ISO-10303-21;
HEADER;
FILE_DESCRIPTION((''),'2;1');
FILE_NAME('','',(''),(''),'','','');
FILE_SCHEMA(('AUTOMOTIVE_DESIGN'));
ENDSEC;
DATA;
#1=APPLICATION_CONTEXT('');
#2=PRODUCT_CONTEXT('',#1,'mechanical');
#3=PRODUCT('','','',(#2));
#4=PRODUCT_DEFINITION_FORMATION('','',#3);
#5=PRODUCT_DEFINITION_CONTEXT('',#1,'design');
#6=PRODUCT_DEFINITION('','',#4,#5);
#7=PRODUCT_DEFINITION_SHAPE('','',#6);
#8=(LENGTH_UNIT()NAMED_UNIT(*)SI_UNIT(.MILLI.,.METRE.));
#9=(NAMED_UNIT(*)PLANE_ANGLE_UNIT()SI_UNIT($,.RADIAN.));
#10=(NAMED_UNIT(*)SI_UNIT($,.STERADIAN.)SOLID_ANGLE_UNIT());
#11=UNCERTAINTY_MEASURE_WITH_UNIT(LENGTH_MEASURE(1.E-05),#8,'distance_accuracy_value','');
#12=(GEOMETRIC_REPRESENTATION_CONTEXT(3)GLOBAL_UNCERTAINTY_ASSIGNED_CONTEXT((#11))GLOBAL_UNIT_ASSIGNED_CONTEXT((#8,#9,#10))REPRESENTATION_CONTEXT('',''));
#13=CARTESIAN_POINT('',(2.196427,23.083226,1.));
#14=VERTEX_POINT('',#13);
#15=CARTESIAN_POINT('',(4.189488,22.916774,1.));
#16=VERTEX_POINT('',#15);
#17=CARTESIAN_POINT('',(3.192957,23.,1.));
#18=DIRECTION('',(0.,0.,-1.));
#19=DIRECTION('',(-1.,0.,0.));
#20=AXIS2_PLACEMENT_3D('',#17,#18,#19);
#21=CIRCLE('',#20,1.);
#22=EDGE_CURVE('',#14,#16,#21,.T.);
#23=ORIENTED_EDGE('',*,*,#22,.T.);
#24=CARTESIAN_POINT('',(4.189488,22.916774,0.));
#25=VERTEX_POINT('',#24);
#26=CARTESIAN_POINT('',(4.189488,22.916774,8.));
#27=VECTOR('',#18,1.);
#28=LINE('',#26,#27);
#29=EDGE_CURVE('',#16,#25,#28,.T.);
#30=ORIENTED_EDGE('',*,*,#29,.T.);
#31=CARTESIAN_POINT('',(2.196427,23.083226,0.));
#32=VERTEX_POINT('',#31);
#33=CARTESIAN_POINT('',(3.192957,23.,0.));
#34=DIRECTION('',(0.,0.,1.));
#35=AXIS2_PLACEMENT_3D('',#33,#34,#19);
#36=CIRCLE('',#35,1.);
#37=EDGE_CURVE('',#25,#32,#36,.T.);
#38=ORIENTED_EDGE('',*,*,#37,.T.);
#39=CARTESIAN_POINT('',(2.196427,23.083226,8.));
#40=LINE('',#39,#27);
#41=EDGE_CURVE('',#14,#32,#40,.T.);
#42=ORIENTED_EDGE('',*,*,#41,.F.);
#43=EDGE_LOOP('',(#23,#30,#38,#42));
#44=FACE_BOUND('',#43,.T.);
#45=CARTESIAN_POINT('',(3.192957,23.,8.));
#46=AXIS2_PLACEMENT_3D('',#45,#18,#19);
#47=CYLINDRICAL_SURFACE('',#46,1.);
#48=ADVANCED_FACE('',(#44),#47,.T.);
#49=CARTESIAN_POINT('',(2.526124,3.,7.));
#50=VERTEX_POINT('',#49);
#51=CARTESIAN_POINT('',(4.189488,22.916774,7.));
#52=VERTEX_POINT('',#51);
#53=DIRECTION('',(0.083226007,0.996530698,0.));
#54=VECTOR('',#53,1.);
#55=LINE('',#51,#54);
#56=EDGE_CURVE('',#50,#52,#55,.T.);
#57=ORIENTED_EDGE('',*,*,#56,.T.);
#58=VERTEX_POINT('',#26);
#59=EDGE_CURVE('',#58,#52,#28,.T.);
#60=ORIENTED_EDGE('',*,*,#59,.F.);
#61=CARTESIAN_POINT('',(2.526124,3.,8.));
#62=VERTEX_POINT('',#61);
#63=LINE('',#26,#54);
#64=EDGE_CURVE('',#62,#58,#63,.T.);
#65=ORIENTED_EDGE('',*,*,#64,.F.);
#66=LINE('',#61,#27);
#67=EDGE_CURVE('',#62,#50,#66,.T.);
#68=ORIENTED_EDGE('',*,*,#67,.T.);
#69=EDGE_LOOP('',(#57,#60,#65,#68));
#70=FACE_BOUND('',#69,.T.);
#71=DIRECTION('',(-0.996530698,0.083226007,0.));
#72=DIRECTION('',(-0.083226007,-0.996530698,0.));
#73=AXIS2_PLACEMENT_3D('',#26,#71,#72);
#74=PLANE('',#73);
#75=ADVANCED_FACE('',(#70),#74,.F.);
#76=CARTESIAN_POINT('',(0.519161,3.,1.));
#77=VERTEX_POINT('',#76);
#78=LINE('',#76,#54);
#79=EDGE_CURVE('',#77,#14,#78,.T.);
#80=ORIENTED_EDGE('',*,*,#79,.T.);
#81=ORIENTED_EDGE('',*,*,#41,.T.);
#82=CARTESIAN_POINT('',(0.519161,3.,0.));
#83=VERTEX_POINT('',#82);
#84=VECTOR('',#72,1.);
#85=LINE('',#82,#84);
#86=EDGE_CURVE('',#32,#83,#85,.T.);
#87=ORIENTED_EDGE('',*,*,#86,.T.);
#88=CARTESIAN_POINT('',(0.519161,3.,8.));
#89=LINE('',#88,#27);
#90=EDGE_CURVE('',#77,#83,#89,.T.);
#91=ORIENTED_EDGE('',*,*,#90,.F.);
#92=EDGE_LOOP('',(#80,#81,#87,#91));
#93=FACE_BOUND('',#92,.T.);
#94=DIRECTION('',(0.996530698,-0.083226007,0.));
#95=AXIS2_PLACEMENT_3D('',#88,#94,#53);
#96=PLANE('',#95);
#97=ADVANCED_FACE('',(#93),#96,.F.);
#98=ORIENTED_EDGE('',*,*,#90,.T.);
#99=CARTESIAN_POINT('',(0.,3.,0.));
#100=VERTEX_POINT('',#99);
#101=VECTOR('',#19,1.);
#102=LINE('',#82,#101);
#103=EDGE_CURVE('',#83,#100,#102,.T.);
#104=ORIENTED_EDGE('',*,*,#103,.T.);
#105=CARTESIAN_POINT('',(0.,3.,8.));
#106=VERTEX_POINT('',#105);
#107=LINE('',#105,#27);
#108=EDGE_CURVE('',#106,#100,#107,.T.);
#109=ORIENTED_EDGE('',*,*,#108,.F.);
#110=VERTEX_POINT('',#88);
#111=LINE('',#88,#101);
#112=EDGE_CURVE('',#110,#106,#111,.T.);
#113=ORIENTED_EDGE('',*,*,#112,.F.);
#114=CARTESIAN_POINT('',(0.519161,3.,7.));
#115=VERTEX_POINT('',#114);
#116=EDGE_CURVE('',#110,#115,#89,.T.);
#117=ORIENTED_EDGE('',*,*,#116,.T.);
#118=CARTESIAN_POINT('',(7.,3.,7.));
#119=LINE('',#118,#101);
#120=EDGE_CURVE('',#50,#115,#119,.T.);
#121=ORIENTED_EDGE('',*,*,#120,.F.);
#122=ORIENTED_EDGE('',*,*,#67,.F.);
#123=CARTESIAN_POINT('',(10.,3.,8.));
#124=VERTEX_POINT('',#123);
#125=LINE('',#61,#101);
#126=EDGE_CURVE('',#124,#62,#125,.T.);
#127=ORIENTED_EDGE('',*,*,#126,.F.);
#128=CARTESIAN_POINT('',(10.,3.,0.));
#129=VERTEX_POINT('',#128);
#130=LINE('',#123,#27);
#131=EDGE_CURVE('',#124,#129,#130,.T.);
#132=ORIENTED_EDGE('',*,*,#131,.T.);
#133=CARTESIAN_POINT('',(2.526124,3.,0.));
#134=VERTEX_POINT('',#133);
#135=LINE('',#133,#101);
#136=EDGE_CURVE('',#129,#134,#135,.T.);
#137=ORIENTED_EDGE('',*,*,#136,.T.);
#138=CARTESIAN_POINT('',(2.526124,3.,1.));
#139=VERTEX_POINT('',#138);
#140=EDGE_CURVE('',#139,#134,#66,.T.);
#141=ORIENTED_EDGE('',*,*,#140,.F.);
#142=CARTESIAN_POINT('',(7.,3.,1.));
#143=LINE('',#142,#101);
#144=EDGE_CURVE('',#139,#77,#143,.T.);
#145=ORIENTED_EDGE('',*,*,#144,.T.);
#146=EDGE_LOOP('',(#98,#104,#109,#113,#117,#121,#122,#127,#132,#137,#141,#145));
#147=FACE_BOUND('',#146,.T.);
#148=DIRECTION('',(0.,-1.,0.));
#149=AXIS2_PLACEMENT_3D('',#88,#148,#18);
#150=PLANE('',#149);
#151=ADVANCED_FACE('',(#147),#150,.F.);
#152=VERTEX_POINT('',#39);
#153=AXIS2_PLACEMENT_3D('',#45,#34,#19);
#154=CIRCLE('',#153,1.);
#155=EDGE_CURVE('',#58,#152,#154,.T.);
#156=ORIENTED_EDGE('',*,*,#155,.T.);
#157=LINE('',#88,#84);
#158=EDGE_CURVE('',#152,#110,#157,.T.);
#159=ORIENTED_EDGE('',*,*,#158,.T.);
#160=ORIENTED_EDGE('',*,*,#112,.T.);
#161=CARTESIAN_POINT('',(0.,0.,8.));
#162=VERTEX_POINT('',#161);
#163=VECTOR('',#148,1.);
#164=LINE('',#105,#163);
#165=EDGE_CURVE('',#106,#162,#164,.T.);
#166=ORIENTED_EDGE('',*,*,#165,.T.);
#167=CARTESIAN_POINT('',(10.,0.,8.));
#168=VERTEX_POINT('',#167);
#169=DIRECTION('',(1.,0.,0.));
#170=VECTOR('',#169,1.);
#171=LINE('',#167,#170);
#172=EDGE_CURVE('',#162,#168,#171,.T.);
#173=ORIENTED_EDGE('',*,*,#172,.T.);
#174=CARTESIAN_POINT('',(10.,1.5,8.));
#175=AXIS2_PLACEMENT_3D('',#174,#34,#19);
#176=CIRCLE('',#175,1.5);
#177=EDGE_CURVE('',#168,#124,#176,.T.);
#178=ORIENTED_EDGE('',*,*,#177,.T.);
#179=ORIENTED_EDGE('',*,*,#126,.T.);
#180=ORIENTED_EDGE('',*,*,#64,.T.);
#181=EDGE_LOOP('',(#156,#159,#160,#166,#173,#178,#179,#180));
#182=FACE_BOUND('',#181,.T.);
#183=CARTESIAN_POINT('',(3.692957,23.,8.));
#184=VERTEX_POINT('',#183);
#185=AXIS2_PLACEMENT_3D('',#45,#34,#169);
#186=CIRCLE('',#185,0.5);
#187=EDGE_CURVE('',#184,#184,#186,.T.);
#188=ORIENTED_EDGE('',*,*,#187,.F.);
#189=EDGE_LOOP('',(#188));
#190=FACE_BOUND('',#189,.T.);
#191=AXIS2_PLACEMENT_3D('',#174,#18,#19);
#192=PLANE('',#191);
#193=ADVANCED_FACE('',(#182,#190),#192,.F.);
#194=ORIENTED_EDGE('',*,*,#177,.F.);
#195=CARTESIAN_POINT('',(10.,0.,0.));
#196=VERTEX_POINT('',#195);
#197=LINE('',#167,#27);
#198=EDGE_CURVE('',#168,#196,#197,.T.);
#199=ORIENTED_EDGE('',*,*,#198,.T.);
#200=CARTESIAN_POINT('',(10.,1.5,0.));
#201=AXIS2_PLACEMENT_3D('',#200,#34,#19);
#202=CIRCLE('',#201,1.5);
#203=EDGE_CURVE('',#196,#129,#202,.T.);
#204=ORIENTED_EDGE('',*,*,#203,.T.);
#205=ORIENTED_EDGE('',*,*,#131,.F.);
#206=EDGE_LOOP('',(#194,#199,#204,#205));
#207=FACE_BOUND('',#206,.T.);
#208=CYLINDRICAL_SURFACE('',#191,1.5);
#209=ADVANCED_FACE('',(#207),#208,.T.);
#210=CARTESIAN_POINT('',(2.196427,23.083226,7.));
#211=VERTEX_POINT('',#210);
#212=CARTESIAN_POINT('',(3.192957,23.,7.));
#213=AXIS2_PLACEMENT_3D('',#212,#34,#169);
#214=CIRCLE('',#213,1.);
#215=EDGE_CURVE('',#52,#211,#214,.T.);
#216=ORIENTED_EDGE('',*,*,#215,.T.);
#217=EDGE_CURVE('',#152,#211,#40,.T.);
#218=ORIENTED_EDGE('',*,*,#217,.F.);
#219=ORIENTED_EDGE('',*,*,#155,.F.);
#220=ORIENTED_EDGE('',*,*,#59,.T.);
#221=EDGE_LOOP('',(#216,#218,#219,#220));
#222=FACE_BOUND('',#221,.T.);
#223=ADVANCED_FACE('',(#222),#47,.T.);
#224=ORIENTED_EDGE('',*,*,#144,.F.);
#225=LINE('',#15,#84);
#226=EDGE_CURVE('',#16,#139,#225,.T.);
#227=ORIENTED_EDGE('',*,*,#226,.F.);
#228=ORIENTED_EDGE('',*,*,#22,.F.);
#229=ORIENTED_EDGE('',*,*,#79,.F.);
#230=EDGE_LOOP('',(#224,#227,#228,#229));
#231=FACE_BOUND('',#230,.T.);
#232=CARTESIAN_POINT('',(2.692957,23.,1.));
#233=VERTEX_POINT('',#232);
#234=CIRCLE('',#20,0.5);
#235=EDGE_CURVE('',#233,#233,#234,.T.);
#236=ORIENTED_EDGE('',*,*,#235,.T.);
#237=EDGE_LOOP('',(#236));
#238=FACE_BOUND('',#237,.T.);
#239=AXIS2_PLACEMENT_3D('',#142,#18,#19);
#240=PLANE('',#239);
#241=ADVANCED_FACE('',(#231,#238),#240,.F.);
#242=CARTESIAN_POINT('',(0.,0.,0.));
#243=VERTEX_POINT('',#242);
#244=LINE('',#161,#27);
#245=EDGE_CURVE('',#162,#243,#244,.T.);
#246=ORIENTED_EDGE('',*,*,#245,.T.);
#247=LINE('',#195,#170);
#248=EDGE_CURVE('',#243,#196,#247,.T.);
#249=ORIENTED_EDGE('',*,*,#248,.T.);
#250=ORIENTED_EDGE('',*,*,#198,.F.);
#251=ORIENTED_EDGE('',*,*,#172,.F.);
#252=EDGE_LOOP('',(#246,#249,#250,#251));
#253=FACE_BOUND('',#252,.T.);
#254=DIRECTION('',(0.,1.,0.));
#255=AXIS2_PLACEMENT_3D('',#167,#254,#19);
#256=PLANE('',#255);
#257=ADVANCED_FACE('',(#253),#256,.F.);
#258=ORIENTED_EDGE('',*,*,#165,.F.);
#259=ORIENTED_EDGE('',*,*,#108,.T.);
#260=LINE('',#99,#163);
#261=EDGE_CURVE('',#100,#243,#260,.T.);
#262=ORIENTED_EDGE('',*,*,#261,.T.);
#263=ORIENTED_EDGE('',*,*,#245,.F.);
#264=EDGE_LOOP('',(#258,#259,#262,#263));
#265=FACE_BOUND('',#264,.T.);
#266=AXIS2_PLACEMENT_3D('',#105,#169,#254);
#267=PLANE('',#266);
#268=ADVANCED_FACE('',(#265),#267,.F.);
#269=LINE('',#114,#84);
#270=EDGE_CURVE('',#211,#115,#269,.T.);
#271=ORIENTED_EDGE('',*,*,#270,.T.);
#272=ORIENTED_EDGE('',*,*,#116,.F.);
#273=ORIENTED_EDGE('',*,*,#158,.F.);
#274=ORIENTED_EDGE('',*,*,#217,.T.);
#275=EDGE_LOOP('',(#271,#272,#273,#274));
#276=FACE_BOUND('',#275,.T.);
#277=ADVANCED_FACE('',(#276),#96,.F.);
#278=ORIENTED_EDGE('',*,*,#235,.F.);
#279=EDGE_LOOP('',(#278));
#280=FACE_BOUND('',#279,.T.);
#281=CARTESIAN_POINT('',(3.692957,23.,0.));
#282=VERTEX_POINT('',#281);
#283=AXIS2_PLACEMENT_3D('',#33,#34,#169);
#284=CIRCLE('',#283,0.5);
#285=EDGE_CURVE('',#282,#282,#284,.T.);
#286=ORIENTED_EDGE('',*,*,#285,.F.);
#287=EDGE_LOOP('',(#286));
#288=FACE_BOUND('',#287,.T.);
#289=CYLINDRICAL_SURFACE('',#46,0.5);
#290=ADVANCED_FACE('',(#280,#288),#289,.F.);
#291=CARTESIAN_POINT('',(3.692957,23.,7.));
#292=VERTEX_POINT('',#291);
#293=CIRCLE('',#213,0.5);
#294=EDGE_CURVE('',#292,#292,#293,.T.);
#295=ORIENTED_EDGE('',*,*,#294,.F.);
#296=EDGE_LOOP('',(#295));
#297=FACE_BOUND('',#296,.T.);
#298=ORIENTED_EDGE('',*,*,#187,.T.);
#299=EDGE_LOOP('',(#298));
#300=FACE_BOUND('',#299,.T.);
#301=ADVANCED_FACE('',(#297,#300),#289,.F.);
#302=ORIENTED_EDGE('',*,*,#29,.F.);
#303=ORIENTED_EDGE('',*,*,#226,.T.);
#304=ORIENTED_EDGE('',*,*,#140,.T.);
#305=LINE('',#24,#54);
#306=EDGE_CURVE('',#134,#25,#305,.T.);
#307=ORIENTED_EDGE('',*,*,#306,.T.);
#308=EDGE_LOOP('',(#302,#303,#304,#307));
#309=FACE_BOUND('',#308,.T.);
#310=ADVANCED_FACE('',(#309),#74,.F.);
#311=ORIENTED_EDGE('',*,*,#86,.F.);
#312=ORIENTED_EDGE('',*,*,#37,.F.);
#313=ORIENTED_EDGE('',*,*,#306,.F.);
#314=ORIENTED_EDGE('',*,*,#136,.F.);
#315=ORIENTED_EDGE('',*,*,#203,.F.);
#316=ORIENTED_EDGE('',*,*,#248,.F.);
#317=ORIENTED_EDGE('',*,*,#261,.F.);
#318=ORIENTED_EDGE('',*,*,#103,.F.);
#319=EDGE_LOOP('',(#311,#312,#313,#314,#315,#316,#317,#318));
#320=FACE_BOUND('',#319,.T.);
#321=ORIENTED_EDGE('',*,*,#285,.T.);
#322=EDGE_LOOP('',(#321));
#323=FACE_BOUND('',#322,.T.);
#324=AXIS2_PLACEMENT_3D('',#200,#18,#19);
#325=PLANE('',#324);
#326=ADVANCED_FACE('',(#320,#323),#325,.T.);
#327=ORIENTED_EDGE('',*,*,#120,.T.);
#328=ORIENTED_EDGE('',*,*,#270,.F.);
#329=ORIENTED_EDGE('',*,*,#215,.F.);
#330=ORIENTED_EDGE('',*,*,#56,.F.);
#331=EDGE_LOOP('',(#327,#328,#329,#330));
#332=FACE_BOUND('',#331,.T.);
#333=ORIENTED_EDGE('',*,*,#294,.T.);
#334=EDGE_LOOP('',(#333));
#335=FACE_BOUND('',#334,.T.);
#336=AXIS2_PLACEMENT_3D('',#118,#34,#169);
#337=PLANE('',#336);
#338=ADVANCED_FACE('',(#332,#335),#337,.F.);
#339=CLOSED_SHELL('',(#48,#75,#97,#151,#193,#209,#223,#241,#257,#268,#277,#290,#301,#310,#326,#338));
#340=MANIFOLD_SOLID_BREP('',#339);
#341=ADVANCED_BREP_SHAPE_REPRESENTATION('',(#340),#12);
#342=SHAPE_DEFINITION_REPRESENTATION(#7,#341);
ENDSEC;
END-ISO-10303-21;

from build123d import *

# Parameters (mm, degrees)
SKETCH_1_R          = 0.5
EXTRUDE_1_DEPTH     = 8
SKETCH_2_W          = 6
SKETCH_2_H          = 21
CUT_EXTRUDE_1_DEPTH = 7


with BuildPart() as part:
    # 草圖1 → 填料-伸長1 (new body)
    with BuildSketch(Plane.XY):
        with BuildLine():
            Line((0.519160932, 3), (2.196426588, 23.083226007))
            ThreePointArc((2.196426588, 23.083226007), (3.276183293, 23.996530698), (4.189487983, 22.916773993))
            Line((4.189487983, 22.916773993), (2.526123692, 3))
            Line((2.526123692, 3), (10, 3))
            ThreePointArc((10, 3), (11.5, 1.5), (10, 0))
            Line((10, 0), (0, 0))
            Line((0, 0), (0, 3))
            Line((0, 3), (0.519160932, 3))
        make_face()
        with Locations((3.192957285, 23)):
            Circle(SKETCH_1_R, mode=Mode.SUBTRACT)
    extrude(amount=EXTRUDE_1_DEPTH)

    # 草圖2 → 除料-伸長1 (cut)
    with BuildSketch(Plane.ZY):
        with Locations((4, 13.5)):
            Rectangle(SKETCH_2_W, SKETCH_2_H)
    extrude(amount=-CUT_EXTRUDE_1_DEPTH, mode=Mode.SUBTRACT)


solid = part.part
